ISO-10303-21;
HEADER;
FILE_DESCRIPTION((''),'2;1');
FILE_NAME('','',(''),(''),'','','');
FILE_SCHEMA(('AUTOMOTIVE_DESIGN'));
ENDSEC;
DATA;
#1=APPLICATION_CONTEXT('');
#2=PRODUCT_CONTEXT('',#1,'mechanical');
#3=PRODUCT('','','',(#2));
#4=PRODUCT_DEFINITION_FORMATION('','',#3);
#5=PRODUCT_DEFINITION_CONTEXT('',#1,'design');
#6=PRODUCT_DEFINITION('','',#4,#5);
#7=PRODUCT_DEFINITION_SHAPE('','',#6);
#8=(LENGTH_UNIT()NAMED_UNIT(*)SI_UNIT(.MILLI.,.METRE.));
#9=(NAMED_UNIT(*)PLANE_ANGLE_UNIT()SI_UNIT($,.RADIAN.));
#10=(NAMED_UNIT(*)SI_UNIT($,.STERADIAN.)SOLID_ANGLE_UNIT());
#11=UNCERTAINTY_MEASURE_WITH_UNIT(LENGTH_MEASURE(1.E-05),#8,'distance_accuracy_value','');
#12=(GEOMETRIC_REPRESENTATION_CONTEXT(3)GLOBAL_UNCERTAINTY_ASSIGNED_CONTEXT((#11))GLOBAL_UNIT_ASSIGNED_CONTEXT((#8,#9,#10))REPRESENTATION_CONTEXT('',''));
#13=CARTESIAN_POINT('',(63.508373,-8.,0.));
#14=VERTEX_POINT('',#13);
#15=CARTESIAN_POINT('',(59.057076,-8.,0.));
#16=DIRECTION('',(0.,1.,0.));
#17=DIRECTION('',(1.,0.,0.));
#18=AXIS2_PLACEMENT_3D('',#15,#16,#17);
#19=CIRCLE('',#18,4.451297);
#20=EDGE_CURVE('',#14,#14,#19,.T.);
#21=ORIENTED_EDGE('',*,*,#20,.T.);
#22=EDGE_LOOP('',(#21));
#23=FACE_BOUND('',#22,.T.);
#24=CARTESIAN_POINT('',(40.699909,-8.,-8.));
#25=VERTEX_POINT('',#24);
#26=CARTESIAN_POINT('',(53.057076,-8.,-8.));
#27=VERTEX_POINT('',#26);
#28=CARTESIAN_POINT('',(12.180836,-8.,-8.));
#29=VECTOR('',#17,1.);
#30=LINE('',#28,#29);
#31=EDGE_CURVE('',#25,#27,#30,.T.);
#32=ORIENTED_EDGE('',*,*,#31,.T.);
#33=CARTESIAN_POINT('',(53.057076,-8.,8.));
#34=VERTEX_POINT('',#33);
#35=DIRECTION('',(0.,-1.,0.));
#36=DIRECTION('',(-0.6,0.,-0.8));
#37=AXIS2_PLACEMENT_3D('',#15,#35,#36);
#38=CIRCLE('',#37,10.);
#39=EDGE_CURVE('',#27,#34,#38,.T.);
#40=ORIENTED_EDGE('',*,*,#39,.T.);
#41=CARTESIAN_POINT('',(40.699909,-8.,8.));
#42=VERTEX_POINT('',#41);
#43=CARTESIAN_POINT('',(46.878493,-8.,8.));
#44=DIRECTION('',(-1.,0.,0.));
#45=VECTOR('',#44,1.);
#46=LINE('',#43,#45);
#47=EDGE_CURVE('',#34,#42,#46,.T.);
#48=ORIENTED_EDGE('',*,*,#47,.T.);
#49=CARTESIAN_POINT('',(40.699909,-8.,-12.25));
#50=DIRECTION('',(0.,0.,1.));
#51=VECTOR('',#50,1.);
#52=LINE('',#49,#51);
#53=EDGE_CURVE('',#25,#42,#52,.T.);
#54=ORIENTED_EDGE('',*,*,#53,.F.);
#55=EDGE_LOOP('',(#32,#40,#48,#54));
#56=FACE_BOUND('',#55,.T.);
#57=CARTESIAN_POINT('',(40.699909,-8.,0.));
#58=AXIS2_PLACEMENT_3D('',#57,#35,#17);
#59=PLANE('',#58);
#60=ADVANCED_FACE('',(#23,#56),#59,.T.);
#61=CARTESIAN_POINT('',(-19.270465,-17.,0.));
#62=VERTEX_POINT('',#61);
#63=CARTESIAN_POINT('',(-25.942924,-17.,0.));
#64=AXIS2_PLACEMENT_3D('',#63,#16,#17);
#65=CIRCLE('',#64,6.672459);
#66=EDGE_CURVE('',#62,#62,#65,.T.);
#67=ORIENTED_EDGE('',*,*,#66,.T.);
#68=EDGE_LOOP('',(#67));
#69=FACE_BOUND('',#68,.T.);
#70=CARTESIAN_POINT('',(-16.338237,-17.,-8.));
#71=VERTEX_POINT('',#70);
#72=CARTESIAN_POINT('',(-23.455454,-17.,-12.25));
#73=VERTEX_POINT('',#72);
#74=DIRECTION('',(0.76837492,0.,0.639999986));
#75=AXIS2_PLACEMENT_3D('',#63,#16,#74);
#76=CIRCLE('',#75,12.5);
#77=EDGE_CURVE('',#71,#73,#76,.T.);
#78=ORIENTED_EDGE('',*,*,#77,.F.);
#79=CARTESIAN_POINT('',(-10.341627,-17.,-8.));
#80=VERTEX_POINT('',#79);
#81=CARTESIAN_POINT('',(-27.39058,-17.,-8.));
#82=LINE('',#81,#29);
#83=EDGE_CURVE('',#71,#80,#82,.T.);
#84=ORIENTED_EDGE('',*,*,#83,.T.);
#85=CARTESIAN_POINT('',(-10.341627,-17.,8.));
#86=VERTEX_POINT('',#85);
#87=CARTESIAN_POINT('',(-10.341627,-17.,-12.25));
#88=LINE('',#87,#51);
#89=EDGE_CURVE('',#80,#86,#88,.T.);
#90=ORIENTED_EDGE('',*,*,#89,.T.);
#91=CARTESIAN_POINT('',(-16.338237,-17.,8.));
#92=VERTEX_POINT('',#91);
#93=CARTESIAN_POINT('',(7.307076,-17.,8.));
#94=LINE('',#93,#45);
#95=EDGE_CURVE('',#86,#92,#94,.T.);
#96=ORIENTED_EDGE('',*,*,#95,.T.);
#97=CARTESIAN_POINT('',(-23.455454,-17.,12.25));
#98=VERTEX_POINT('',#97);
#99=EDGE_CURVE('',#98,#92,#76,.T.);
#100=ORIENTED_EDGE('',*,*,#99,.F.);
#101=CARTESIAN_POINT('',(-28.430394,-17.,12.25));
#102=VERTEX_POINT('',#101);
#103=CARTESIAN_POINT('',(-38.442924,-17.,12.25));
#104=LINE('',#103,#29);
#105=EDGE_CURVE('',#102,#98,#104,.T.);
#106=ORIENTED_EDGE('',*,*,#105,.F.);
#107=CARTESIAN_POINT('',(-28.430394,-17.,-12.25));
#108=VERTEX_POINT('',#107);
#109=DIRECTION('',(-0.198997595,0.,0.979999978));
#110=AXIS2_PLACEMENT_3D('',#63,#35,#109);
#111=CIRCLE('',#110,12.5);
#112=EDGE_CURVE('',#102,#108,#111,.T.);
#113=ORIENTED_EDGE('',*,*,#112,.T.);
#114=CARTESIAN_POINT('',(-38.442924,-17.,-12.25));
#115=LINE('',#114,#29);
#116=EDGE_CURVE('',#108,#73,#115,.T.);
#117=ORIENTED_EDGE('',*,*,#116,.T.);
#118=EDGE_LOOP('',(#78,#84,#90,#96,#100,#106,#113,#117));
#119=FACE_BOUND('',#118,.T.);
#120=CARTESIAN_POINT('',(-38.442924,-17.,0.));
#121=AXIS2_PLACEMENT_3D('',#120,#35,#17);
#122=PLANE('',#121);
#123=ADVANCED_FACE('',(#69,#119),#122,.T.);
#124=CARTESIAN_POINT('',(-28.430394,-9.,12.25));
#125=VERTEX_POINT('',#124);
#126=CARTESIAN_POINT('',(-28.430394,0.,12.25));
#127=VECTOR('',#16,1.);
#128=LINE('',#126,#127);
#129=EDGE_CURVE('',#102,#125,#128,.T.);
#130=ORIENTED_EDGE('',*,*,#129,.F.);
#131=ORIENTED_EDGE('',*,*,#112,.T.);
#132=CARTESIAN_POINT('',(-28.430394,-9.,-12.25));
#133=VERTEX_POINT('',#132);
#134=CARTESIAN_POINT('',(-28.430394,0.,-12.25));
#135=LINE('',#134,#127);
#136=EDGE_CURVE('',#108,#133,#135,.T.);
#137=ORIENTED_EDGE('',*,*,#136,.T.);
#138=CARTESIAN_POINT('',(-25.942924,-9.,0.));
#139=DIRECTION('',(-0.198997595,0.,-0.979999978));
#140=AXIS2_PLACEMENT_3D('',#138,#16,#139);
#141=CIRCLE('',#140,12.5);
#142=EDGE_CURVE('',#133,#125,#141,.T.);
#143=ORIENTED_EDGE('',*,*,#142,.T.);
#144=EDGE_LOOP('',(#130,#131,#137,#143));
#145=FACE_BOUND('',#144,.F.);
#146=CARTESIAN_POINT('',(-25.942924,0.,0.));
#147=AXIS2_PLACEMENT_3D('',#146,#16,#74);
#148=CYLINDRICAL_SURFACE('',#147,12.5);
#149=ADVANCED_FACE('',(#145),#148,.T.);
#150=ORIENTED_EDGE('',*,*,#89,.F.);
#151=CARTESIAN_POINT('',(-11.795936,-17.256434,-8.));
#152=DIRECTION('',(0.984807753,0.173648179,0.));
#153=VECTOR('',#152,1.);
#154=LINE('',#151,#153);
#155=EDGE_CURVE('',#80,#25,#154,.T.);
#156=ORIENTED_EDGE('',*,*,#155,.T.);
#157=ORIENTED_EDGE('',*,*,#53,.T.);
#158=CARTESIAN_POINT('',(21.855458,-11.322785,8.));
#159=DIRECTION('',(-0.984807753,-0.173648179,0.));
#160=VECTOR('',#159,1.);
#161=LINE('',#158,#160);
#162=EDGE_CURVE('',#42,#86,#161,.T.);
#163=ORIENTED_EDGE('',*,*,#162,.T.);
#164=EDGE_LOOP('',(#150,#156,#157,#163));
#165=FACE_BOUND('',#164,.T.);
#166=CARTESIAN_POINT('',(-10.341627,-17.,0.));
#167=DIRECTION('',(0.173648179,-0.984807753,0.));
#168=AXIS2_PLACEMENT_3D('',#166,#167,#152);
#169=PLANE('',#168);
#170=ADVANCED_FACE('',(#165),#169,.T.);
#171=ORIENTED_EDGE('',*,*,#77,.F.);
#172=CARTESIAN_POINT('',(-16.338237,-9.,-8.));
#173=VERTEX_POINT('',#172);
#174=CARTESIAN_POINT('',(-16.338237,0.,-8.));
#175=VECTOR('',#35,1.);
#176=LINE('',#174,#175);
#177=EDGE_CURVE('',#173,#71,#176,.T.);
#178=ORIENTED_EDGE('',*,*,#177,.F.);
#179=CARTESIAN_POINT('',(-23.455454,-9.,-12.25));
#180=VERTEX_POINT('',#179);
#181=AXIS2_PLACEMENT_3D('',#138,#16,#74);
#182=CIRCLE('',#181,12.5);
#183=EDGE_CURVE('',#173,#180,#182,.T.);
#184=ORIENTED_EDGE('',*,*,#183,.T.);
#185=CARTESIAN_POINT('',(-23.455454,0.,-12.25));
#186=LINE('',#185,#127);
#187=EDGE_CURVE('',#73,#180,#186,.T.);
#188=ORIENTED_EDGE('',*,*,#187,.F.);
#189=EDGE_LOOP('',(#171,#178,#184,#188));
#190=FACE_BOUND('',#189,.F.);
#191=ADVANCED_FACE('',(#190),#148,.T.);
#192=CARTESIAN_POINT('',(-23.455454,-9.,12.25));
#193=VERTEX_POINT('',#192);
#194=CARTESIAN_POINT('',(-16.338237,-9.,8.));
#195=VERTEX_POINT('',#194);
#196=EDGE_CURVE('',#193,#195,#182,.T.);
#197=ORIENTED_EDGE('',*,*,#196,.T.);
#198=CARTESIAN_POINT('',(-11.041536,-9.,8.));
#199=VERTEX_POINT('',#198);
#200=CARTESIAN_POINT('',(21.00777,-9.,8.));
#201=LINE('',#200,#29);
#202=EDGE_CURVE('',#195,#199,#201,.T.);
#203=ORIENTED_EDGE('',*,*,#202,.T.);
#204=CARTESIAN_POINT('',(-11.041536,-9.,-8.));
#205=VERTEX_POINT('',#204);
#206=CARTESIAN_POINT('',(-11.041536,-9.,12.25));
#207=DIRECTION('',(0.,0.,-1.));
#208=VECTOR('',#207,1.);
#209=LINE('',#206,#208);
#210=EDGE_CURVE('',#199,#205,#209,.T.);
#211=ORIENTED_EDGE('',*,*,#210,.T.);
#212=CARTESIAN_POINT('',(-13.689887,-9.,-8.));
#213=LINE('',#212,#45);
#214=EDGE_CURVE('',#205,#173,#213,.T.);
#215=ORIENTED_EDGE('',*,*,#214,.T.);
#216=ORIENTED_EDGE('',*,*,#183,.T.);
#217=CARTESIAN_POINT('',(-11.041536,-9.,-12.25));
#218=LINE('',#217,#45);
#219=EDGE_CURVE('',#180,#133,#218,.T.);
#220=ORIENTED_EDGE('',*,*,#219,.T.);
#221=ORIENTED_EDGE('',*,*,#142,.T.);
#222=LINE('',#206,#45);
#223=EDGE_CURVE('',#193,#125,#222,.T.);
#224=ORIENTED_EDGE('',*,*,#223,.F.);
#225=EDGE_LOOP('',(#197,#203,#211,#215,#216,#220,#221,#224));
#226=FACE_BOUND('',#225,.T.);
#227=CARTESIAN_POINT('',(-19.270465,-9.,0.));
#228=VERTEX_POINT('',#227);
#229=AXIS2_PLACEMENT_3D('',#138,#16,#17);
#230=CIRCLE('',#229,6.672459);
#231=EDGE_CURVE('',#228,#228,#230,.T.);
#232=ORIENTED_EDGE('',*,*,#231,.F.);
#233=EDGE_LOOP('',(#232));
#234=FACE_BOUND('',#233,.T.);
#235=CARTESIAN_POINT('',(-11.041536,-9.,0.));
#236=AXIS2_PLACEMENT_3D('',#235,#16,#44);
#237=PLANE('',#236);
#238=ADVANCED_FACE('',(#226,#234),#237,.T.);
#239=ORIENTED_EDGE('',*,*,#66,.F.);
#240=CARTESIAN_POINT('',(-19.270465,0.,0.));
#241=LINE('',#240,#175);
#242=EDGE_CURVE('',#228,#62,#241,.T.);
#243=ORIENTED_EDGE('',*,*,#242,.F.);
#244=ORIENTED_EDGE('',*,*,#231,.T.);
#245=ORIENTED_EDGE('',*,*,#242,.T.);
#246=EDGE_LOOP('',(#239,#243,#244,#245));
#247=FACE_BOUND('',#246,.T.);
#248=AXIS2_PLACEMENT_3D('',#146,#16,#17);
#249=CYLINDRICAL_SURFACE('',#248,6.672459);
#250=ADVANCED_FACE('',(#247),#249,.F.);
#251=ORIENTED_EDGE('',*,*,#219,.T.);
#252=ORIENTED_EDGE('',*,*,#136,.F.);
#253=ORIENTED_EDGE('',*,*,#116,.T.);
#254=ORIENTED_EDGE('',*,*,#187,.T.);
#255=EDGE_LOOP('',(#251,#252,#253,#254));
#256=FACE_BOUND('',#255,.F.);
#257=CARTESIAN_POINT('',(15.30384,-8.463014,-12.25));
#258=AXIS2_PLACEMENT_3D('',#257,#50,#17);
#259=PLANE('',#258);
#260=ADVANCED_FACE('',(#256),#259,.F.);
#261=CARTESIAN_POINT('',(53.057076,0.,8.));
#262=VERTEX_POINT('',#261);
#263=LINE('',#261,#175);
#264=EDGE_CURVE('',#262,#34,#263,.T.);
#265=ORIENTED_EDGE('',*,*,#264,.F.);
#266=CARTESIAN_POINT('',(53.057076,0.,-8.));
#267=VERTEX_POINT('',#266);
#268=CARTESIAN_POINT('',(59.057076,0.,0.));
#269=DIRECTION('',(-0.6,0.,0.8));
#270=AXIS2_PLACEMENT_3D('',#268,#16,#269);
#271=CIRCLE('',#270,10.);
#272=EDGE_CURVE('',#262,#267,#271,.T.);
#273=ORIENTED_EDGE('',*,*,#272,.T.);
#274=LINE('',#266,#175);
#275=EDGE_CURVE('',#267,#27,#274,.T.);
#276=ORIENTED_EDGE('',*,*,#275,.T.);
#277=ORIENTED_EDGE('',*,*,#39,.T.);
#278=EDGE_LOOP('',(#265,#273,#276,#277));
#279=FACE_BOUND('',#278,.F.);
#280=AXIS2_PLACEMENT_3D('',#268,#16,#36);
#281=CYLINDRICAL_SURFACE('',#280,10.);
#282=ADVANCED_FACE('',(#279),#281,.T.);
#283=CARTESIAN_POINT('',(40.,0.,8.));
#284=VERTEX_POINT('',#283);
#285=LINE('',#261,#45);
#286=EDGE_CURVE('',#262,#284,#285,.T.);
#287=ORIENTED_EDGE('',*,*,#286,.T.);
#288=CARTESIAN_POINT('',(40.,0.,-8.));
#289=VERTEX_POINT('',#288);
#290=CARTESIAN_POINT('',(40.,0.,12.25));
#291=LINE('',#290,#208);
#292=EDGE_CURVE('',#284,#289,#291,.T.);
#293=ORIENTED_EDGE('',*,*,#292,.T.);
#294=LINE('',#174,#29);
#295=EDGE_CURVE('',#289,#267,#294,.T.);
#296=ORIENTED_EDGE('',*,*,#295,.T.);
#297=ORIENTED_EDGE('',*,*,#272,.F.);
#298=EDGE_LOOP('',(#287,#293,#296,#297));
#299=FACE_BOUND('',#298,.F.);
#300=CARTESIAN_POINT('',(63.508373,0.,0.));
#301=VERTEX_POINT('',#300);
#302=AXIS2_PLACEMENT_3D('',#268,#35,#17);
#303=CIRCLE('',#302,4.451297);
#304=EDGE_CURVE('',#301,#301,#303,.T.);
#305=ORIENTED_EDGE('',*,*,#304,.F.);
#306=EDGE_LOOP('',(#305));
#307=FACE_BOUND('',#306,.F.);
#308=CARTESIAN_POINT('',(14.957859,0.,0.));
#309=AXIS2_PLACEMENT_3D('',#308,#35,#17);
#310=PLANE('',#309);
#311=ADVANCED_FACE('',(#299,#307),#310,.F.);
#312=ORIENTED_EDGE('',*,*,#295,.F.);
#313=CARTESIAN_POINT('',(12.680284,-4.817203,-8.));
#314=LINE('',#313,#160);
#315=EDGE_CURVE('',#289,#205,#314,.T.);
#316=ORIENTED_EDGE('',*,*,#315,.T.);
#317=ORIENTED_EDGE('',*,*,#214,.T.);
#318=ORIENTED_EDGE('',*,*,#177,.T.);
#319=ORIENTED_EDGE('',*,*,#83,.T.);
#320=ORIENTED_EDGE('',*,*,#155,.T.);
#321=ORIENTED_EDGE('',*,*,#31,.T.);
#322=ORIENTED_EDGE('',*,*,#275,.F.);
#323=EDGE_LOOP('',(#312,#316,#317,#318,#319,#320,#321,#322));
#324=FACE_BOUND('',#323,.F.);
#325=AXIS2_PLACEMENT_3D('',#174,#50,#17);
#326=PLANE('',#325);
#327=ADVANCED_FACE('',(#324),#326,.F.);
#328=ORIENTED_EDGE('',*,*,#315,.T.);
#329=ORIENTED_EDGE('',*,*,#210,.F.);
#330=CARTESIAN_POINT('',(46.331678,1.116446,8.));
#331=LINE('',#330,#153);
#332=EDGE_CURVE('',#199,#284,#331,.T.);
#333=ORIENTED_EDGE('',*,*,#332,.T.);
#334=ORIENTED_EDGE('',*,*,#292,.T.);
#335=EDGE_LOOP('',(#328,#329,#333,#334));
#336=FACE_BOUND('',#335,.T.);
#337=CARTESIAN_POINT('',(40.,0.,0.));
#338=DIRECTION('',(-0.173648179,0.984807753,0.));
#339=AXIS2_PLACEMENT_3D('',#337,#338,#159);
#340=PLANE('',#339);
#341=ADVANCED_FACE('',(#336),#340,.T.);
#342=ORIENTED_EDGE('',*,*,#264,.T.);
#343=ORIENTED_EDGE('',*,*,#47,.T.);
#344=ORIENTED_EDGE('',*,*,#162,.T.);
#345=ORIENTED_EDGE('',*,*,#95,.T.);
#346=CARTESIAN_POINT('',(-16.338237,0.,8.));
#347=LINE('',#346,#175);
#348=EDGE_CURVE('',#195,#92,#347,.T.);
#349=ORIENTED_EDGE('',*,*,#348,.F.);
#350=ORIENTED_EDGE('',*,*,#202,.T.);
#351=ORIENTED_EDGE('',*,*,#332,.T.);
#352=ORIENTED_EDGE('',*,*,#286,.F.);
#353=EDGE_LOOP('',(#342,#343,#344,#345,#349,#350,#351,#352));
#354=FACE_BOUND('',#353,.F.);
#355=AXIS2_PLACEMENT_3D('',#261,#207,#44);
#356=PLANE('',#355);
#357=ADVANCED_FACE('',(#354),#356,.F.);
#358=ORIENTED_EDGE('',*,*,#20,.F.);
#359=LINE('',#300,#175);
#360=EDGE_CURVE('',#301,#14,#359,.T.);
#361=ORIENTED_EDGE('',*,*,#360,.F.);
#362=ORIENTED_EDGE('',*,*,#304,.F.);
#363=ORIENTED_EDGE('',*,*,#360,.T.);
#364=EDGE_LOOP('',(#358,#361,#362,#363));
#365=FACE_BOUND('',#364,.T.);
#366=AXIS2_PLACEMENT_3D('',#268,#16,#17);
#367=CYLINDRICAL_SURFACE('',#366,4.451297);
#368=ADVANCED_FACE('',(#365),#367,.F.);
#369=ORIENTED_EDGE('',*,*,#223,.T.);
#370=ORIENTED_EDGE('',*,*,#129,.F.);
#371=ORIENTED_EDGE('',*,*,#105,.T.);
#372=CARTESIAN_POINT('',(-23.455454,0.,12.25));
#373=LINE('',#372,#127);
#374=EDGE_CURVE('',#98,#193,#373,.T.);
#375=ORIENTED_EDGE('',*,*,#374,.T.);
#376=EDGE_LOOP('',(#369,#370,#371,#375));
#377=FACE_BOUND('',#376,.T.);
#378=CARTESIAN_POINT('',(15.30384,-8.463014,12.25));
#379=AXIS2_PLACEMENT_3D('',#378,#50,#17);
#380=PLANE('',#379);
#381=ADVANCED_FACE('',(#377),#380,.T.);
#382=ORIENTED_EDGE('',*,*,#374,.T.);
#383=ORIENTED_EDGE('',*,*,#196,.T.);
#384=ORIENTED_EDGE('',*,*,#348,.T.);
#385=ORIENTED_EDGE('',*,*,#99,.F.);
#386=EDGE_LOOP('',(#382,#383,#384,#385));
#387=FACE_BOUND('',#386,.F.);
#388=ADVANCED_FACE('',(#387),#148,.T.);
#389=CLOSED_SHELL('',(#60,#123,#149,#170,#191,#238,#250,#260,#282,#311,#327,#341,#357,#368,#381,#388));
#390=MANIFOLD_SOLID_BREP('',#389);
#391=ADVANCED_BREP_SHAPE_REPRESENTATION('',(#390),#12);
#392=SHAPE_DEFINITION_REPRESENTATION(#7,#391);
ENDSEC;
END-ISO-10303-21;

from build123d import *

# Parameters (mm, degrees)
F0_R     = 6.672459
F0_R_2   = 4.451297
F1_DEPTH = 25
F3_DEPTH = 12.25


with BuildPart() as f1:
    # F0 (on Front) → F1 (new body)
    with BuildSketch(Plane.XZ):
        with BuildLine():
            Line((53.057076, 8), (-16.338237, 8))
            ThreePointArc((-16.338237, 8), (-38.442924, 0), (-16.338237, -8))
            Line((-16.338237, -8), (53.057076, -8))
            ThreePointArc((53.057076, -8), (69.057076, 0), (53.057076, 8))
        make_face()
        with Locations((-25.942924, 0)):
            Circle(F0_R, mode=Mode.SUBTRACT)
        with Locations((59.057076, 0)):
            Circle(F0_R_2, mode=Mode.SUBTRACT)
    extrude(amount=F1_DEPTH)

    # F2 (on Top) → F3 (intersect, symmetric)
    with BuildSketch(Plane.XY):
        Polygon((-11.041536, -9), (-38.442924, -9), (-38.442924, -17), (-10.341627, -17), (40.699909, -8), (69.057076, -8), (69.057076, 0), (40, 0), align=None)
    extrude(amount=F3_DEPTH, both=True, mode=Mode.INTERSECT)


solid = f1.part
